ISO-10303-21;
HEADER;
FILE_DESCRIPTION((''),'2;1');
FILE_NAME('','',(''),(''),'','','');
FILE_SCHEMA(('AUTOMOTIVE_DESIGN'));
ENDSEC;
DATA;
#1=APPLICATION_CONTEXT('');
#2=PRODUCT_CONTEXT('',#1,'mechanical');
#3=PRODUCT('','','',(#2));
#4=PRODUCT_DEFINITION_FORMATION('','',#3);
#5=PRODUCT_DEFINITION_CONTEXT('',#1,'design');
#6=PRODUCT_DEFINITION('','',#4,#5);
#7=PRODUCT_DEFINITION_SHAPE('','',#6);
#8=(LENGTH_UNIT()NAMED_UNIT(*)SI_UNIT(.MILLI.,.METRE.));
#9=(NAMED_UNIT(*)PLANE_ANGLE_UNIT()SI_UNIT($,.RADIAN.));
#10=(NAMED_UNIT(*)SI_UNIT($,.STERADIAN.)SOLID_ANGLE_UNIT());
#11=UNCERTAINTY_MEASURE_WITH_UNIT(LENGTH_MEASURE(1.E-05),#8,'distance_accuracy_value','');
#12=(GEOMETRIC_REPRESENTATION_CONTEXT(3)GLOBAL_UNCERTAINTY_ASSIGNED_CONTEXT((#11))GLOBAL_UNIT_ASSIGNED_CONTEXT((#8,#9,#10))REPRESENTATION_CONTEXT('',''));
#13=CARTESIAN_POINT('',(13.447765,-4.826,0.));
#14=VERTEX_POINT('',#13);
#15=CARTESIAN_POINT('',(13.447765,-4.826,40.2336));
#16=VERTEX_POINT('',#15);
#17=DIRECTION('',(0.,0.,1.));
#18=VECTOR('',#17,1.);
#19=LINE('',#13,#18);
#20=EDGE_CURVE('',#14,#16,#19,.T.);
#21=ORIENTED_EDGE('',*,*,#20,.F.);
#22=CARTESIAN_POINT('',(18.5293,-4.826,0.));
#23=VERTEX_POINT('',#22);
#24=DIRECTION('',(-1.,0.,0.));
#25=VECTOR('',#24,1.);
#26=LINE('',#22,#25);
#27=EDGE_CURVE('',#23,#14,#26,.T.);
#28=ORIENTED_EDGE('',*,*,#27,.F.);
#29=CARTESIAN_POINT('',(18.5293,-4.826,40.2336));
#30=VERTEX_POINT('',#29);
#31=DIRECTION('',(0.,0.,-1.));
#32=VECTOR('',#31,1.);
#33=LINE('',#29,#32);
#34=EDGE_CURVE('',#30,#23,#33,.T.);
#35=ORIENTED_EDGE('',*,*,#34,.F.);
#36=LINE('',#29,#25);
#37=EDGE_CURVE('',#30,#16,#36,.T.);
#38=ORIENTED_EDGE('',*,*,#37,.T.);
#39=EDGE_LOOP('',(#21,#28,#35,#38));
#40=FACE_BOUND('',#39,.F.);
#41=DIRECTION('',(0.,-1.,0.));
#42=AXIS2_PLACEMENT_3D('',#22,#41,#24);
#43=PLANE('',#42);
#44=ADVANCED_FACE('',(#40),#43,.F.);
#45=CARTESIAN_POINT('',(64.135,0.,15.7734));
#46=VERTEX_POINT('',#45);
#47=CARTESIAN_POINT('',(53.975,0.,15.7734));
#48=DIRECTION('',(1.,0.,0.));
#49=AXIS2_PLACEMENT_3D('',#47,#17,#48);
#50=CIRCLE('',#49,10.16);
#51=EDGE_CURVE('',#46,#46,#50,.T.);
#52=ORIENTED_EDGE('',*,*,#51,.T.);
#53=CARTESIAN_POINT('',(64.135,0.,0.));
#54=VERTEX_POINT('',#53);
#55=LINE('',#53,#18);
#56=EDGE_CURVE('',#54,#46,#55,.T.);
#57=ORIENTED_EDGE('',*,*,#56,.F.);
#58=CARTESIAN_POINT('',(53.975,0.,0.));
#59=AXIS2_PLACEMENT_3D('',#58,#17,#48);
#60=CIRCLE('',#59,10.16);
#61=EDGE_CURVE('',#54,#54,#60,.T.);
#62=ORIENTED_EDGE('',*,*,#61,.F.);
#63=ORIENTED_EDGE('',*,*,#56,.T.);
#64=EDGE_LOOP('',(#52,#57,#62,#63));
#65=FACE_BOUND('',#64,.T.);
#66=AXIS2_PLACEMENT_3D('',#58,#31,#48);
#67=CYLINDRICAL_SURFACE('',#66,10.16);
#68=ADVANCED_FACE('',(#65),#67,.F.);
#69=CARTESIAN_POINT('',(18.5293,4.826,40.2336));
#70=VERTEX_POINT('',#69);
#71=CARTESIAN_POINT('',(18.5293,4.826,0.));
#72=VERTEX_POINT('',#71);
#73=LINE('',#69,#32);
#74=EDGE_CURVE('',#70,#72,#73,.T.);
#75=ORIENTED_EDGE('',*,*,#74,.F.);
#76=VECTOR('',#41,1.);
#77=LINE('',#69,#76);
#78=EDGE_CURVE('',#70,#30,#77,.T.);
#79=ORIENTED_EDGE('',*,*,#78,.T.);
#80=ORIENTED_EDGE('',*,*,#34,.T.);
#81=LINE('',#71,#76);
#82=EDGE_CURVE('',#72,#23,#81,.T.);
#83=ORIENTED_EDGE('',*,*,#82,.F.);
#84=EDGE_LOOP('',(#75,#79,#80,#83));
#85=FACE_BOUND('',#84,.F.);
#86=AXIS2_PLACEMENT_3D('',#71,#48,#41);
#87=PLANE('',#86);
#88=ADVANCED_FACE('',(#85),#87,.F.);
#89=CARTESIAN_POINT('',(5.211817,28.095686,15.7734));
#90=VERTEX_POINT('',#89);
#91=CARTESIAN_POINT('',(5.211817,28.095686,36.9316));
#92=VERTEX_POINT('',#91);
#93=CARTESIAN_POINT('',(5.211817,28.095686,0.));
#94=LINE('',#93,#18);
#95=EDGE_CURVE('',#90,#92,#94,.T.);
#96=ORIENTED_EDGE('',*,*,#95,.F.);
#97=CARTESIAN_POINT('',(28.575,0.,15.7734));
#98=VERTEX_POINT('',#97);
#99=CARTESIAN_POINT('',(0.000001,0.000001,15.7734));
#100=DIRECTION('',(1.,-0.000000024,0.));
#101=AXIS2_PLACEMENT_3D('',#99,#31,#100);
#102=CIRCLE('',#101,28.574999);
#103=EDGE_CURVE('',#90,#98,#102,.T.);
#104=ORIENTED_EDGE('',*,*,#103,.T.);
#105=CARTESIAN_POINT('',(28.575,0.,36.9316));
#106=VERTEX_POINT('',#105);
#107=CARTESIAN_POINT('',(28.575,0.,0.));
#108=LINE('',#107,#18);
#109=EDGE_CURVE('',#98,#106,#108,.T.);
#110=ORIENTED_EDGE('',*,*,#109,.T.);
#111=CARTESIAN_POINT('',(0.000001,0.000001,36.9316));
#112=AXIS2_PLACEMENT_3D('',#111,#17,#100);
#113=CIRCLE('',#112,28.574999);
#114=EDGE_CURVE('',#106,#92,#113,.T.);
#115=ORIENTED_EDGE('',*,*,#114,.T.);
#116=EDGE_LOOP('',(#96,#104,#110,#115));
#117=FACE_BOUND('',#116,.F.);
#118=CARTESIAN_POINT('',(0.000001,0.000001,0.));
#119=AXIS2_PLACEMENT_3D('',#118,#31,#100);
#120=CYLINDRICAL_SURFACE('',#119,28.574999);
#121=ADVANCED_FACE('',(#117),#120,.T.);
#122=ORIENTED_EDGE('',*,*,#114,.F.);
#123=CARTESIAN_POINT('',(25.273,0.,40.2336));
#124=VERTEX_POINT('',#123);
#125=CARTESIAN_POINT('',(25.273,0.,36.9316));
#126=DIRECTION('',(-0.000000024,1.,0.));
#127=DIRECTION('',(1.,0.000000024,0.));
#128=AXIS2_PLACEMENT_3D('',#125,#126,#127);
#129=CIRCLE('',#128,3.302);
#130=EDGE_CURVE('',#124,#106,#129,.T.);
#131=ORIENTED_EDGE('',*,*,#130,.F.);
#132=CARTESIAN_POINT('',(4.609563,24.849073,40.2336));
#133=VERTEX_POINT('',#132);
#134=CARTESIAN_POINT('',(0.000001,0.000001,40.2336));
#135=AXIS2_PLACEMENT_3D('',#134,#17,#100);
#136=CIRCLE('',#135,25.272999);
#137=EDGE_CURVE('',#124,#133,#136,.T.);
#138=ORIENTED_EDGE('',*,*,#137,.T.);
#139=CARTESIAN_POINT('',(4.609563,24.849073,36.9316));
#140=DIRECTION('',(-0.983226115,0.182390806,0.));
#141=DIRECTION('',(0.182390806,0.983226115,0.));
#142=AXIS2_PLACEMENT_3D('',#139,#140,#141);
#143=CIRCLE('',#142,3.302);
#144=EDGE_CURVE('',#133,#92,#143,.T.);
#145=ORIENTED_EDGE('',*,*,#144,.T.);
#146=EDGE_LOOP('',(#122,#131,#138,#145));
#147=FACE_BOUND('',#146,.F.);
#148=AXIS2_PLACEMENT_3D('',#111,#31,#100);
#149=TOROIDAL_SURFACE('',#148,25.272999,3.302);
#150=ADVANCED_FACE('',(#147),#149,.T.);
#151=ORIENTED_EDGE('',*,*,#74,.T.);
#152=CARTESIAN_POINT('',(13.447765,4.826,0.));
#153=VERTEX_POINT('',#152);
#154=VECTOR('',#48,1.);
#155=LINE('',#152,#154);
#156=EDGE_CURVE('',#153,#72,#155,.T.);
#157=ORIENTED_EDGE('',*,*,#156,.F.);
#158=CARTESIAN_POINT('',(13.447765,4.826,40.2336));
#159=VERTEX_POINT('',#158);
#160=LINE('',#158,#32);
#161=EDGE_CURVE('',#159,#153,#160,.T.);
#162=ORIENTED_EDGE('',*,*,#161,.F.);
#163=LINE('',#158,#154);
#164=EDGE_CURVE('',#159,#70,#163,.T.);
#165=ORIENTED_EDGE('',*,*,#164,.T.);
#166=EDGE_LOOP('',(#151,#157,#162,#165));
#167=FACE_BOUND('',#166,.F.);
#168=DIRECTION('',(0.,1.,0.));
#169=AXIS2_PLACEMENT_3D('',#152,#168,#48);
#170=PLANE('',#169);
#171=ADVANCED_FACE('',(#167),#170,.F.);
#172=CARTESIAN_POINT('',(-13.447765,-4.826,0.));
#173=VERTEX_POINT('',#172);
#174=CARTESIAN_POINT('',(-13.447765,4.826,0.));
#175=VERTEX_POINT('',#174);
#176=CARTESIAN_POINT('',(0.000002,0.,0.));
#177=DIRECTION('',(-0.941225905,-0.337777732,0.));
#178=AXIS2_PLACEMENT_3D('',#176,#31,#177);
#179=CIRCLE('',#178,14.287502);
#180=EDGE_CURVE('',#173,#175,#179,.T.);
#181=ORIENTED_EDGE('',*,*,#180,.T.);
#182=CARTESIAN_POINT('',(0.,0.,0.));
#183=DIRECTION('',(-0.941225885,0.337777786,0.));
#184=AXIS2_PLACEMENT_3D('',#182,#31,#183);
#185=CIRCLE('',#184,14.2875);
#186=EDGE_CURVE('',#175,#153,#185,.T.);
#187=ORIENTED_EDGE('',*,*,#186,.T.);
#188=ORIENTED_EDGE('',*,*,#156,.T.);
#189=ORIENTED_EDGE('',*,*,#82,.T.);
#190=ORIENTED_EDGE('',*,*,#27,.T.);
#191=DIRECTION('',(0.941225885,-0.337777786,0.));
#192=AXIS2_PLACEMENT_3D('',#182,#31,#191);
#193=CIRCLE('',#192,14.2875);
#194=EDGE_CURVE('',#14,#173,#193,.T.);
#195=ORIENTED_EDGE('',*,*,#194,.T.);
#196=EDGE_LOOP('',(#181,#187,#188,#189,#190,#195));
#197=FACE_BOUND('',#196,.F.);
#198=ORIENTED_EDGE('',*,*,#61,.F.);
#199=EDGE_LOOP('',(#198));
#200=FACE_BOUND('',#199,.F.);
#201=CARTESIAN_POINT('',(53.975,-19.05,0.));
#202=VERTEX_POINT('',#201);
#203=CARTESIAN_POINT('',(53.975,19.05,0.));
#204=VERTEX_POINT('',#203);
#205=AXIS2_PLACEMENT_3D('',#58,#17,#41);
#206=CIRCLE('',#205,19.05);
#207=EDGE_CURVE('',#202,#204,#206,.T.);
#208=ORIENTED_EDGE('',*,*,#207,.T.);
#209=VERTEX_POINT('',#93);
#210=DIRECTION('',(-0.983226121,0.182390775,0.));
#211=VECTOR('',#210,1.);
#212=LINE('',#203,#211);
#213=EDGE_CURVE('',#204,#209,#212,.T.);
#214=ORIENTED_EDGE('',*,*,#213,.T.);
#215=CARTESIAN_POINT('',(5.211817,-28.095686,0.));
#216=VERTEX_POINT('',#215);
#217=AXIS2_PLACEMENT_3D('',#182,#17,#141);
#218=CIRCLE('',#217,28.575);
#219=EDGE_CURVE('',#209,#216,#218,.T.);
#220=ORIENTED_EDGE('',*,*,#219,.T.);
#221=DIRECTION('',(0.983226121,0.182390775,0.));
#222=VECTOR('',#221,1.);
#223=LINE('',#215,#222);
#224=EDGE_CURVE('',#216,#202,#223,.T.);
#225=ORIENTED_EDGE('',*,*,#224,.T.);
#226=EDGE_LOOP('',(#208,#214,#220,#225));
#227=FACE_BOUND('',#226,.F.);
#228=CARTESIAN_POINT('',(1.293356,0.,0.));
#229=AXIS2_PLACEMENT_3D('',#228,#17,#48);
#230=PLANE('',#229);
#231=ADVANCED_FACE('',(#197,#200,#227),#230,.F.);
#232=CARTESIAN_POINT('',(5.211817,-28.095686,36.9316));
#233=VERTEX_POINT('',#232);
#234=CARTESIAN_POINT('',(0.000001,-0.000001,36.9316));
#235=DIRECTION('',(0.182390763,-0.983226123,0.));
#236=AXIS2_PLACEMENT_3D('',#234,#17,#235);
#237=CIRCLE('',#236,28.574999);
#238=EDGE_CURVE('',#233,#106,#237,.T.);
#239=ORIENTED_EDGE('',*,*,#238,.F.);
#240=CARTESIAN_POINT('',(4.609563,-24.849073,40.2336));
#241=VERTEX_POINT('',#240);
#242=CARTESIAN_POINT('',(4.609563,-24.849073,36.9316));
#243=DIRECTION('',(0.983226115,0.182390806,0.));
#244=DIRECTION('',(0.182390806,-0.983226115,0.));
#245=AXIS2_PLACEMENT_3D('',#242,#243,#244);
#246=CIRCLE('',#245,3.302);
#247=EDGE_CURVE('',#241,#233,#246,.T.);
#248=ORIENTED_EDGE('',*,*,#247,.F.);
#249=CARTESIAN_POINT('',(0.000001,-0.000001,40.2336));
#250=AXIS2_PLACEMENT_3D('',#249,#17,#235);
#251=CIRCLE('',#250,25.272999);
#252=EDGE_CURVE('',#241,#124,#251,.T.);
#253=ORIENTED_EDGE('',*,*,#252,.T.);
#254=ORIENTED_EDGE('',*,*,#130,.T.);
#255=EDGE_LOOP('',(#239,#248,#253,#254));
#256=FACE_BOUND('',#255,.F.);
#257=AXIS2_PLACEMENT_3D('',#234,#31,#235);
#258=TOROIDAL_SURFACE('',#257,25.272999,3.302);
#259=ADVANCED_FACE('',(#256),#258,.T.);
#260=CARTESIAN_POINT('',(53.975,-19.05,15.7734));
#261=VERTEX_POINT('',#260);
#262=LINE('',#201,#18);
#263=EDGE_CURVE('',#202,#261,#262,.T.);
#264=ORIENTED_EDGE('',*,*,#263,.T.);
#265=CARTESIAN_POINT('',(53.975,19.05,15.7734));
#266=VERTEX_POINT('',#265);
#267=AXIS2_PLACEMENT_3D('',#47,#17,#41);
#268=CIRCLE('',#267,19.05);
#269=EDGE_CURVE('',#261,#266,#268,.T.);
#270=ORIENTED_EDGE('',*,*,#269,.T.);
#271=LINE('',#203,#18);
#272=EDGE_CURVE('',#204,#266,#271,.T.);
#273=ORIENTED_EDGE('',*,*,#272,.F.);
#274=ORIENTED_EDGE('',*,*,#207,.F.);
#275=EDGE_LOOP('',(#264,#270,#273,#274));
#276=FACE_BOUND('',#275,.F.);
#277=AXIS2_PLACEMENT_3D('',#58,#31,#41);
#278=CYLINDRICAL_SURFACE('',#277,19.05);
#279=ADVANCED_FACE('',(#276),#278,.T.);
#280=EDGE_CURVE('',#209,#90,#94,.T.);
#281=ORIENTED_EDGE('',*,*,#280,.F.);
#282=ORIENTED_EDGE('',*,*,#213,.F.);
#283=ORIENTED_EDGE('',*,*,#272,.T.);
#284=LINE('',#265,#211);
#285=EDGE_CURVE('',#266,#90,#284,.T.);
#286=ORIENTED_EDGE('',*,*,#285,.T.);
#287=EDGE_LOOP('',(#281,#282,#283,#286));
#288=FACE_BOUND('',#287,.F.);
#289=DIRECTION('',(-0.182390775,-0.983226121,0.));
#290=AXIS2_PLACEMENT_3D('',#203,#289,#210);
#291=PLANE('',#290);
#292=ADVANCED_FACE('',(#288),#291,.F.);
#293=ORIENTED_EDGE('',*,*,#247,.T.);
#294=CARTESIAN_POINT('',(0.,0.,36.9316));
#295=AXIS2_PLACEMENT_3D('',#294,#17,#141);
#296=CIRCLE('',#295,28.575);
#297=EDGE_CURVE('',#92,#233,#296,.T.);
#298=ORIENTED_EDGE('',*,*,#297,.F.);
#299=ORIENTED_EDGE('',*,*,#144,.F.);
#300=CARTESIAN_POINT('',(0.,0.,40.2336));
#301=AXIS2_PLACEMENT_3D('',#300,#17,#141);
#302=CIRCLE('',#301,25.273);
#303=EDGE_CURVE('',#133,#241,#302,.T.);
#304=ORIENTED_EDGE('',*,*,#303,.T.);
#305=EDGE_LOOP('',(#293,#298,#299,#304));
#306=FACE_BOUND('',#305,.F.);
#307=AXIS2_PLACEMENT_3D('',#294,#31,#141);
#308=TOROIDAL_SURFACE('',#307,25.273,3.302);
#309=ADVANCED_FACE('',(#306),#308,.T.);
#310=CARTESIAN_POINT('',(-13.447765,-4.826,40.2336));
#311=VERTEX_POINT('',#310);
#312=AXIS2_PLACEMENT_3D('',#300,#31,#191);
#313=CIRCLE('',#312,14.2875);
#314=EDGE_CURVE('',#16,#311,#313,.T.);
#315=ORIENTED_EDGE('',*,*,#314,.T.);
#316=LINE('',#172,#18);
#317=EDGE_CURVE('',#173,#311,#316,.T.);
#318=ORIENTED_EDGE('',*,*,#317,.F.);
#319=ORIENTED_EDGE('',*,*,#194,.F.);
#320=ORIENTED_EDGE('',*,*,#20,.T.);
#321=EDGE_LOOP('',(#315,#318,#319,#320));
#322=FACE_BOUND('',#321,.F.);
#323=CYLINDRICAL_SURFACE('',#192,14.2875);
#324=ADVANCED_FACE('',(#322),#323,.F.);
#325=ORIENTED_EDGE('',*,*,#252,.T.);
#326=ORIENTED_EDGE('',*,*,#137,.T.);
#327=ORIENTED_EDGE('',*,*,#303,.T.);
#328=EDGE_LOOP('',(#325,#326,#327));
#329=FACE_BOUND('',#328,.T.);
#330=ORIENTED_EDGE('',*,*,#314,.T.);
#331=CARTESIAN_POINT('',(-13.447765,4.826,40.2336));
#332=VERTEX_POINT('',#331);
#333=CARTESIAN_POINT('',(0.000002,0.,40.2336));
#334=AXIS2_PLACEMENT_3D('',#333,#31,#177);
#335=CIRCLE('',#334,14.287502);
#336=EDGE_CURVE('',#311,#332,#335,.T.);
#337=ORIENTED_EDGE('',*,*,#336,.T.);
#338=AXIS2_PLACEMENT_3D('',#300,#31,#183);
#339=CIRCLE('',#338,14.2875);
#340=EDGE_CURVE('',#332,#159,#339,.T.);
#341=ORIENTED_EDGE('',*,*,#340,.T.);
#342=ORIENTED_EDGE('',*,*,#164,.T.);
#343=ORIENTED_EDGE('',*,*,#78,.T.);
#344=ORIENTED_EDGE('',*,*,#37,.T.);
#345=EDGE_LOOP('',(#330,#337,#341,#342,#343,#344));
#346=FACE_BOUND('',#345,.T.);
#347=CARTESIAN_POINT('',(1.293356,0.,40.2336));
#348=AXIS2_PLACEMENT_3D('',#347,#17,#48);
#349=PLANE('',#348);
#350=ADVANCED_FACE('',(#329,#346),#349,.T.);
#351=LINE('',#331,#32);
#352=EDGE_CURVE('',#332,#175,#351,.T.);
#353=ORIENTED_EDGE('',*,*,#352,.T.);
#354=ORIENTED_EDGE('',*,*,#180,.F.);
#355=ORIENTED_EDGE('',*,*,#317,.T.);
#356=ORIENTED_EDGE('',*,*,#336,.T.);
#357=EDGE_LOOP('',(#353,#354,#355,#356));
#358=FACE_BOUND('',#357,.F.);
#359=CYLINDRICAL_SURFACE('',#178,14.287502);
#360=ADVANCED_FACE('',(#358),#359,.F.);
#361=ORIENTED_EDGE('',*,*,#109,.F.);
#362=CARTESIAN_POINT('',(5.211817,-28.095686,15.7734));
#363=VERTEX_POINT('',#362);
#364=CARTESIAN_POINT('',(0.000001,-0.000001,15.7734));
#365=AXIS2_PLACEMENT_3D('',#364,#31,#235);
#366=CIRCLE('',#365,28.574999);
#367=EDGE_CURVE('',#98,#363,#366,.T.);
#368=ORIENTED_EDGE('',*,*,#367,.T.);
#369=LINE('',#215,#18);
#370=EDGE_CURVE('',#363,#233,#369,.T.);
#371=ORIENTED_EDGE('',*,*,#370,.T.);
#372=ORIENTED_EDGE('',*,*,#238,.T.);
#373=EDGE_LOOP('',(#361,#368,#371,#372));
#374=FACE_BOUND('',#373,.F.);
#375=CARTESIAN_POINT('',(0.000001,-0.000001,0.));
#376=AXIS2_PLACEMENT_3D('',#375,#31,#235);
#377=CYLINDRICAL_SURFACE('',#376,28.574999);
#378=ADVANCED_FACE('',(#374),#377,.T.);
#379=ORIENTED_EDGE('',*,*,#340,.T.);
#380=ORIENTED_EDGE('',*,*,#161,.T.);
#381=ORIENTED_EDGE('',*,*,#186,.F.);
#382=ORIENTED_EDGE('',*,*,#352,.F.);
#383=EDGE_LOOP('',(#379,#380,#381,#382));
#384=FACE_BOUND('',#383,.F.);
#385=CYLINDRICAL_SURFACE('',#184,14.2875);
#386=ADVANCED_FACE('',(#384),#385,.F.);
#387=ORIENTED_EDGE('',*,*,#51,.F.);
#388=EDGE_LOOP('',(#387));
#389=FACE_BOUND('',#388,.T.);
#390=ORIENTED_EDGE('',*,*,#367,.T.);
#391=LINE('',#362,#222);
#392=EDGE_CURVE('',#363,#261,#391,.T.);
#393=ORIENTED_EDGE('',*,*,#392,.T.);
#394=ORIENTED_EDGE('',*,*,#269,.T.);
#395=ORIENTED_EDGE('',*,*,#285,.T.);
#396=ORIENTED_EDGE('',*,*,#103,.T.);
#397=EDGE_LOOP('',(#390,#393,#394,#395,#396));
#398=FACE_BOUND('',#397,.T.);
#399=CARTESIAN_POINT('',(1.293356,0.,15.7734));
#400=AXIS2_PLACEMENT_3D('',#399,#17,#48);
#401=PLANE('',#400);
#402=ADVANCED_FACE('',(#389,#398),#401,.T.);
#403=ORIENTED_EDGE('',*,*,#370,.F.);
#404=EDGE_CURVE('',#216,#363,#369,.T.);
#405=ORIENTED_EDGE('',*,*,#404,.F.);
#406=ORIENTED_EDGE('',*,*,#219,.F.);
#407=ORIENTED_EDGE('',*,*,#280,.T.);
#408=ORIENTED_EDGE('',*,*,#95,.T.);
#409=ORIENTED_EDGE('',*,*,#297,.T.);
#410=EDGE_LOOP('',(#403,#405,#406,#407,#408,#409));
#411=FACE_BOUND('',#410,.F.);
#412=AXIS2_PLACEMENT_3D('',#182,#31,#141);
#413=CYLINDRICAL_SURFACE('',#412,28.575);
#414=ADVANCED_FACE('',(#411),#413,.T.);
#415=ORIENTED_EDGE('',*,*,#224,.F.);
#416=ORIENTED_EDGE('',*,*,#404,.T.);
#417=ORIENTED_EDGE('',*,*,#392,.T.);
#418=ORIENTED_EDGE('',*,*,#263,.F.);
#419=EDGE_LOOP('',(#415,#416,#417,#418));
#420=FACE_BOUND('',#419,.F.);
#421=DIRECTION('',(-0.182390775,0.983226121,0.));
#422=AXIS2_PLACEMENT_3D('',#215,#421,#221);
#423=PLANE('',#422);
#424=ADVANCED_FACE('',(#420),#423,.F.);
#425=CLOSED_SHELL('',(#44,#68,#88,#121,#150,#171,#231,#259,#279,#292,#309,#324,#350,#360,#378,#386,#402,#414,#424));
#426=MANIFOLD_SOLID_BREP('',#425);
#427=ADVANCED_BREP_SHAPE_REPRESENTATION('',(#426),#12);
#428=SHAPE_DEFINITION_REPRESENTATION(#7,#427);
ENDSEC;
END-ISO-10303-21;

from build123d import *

# Parameters (mm, degrees)
F1_DEPTH = 40.2336
F0_R     = 10.16
F2_DEPTH = 15.7734
F3_R     = 3.302


with BuildPart() as f1:
    # F0 (on Top) → F1 (new body)
    with BuildSketch(Plane.XY):
        with BuildLine():
            ThreePointArc((5.211817, -28.095686), (21.971098, -18.270235), (28.575, 0))
            ThreePointArc((28.575, 0), (21.971098, 18.270235), (5.211817, 28.095686))
            ThreePointArc((5.211817, 28.095686), (-28.575, 0), (5.211817, -28.095686))
        make_face()
        with BuildLine():
            ThreePointArc((-13.447765, 4.826), (0, 14.2875), (13.447765, 4.826))
            Line((13.447765, 4.826), (18.5293, 4.826))
            Line((18.5293, 4.826), (18.5293, -4.826))
            Line((18.5293, -4.826), (13.447765, -4.826))
            ThreePointArc((13.447765, -4.826), (0, -14.2875), (-13.447765, -4.826))
            Line((-13.447765, -4.826), (-18.5293, -4.826))
            Line((-18.5293, -4.826), (-18.5293, 4.826))
            Line((-18.5293, 4.826), (-13.447765, 4.826))
        make_face(mode=Mode.SUBTRACT)
        with BuildLine():
            ThreePointArc((-13.447765, -4.826), (-14.2875, 0), (-13.447765, 4.826))
            Line((-13.447765, 4.826), (-18.5293, 4.826))
            Line((-18.5293, 4.826), (-18.5293, -4.826))
            Line((-18.5293, -4.826), (-13.447765, -4.826))
        make_face()
    extrude(amount=F1_DEPTH)

    # F0 (on Top) → F2 (join)
    with BuildSketch(Plane.XY):
        with BuildLine():
            ThreePointArc((5.211817, -28.095686), (21.971098, -18.270235), (28.575, 0))
            ThreePointArc((28.575, 0), (21.971098, 18.270235), (5.211817, 28.095686))
            ThreePointArc((5.211817, 28.095686), (-28.575, 0), (5.211817, -28.095686))
        make_face()
        with BuildLine():
            ThreePointArc((-13.447765, 4.826), (0, 14.2875), (13.447765, 4.826))
            Line((13.447765, 4.826), (18.5293, 4.826))
            Line((18.5293, 4.826), (18.5293, -4.826))
            Line((18.5293, -4.826), (13.447765, -4.826))
            ThreePointArc((13.447765, -4.826), (0, -14.2875), (-13.447765, -4.826))
            Line((-13.447765, -4.826), (-18.5293, -4.826))
            Line((-18.5293, -4.826), (-18.5293, 4.826))
            Line((-18.5293, 4.826), (-13.447765, 4.826))
        make_face(mode=Mode.SUBTRACT)
        with BuildLine():
            ThreePointArc((5.211817, 28.095686), (21.971098, 18.270235), (28.575, 0))
            ThreePointArc((28.575, 0), (21.971098, -18.270235), (5.211817, -28.095686))
            Line((5.211817, -28.095686), (53.975, -19.05))
            ThreePointArc((53.975, -19.05), (73.025, 0), (53.975, 19.05))
            Line((53.975, 19.05), (5.211817, 28.095686))
        make_face()
        with Locations((53.975, 0)):
            Circle(F0_R, mode=Mode.SUBTRACT)
    extrude(amount=F2_DEPTH)

    # F3
    f3_edges = [f1.edges().sort_by_distance(p)[0] for p in [
        (-5.211817, 28.095686, 40.2336),
    ]]
    fillet(f3_edges, radius=F3_R)


solid = f1.part
